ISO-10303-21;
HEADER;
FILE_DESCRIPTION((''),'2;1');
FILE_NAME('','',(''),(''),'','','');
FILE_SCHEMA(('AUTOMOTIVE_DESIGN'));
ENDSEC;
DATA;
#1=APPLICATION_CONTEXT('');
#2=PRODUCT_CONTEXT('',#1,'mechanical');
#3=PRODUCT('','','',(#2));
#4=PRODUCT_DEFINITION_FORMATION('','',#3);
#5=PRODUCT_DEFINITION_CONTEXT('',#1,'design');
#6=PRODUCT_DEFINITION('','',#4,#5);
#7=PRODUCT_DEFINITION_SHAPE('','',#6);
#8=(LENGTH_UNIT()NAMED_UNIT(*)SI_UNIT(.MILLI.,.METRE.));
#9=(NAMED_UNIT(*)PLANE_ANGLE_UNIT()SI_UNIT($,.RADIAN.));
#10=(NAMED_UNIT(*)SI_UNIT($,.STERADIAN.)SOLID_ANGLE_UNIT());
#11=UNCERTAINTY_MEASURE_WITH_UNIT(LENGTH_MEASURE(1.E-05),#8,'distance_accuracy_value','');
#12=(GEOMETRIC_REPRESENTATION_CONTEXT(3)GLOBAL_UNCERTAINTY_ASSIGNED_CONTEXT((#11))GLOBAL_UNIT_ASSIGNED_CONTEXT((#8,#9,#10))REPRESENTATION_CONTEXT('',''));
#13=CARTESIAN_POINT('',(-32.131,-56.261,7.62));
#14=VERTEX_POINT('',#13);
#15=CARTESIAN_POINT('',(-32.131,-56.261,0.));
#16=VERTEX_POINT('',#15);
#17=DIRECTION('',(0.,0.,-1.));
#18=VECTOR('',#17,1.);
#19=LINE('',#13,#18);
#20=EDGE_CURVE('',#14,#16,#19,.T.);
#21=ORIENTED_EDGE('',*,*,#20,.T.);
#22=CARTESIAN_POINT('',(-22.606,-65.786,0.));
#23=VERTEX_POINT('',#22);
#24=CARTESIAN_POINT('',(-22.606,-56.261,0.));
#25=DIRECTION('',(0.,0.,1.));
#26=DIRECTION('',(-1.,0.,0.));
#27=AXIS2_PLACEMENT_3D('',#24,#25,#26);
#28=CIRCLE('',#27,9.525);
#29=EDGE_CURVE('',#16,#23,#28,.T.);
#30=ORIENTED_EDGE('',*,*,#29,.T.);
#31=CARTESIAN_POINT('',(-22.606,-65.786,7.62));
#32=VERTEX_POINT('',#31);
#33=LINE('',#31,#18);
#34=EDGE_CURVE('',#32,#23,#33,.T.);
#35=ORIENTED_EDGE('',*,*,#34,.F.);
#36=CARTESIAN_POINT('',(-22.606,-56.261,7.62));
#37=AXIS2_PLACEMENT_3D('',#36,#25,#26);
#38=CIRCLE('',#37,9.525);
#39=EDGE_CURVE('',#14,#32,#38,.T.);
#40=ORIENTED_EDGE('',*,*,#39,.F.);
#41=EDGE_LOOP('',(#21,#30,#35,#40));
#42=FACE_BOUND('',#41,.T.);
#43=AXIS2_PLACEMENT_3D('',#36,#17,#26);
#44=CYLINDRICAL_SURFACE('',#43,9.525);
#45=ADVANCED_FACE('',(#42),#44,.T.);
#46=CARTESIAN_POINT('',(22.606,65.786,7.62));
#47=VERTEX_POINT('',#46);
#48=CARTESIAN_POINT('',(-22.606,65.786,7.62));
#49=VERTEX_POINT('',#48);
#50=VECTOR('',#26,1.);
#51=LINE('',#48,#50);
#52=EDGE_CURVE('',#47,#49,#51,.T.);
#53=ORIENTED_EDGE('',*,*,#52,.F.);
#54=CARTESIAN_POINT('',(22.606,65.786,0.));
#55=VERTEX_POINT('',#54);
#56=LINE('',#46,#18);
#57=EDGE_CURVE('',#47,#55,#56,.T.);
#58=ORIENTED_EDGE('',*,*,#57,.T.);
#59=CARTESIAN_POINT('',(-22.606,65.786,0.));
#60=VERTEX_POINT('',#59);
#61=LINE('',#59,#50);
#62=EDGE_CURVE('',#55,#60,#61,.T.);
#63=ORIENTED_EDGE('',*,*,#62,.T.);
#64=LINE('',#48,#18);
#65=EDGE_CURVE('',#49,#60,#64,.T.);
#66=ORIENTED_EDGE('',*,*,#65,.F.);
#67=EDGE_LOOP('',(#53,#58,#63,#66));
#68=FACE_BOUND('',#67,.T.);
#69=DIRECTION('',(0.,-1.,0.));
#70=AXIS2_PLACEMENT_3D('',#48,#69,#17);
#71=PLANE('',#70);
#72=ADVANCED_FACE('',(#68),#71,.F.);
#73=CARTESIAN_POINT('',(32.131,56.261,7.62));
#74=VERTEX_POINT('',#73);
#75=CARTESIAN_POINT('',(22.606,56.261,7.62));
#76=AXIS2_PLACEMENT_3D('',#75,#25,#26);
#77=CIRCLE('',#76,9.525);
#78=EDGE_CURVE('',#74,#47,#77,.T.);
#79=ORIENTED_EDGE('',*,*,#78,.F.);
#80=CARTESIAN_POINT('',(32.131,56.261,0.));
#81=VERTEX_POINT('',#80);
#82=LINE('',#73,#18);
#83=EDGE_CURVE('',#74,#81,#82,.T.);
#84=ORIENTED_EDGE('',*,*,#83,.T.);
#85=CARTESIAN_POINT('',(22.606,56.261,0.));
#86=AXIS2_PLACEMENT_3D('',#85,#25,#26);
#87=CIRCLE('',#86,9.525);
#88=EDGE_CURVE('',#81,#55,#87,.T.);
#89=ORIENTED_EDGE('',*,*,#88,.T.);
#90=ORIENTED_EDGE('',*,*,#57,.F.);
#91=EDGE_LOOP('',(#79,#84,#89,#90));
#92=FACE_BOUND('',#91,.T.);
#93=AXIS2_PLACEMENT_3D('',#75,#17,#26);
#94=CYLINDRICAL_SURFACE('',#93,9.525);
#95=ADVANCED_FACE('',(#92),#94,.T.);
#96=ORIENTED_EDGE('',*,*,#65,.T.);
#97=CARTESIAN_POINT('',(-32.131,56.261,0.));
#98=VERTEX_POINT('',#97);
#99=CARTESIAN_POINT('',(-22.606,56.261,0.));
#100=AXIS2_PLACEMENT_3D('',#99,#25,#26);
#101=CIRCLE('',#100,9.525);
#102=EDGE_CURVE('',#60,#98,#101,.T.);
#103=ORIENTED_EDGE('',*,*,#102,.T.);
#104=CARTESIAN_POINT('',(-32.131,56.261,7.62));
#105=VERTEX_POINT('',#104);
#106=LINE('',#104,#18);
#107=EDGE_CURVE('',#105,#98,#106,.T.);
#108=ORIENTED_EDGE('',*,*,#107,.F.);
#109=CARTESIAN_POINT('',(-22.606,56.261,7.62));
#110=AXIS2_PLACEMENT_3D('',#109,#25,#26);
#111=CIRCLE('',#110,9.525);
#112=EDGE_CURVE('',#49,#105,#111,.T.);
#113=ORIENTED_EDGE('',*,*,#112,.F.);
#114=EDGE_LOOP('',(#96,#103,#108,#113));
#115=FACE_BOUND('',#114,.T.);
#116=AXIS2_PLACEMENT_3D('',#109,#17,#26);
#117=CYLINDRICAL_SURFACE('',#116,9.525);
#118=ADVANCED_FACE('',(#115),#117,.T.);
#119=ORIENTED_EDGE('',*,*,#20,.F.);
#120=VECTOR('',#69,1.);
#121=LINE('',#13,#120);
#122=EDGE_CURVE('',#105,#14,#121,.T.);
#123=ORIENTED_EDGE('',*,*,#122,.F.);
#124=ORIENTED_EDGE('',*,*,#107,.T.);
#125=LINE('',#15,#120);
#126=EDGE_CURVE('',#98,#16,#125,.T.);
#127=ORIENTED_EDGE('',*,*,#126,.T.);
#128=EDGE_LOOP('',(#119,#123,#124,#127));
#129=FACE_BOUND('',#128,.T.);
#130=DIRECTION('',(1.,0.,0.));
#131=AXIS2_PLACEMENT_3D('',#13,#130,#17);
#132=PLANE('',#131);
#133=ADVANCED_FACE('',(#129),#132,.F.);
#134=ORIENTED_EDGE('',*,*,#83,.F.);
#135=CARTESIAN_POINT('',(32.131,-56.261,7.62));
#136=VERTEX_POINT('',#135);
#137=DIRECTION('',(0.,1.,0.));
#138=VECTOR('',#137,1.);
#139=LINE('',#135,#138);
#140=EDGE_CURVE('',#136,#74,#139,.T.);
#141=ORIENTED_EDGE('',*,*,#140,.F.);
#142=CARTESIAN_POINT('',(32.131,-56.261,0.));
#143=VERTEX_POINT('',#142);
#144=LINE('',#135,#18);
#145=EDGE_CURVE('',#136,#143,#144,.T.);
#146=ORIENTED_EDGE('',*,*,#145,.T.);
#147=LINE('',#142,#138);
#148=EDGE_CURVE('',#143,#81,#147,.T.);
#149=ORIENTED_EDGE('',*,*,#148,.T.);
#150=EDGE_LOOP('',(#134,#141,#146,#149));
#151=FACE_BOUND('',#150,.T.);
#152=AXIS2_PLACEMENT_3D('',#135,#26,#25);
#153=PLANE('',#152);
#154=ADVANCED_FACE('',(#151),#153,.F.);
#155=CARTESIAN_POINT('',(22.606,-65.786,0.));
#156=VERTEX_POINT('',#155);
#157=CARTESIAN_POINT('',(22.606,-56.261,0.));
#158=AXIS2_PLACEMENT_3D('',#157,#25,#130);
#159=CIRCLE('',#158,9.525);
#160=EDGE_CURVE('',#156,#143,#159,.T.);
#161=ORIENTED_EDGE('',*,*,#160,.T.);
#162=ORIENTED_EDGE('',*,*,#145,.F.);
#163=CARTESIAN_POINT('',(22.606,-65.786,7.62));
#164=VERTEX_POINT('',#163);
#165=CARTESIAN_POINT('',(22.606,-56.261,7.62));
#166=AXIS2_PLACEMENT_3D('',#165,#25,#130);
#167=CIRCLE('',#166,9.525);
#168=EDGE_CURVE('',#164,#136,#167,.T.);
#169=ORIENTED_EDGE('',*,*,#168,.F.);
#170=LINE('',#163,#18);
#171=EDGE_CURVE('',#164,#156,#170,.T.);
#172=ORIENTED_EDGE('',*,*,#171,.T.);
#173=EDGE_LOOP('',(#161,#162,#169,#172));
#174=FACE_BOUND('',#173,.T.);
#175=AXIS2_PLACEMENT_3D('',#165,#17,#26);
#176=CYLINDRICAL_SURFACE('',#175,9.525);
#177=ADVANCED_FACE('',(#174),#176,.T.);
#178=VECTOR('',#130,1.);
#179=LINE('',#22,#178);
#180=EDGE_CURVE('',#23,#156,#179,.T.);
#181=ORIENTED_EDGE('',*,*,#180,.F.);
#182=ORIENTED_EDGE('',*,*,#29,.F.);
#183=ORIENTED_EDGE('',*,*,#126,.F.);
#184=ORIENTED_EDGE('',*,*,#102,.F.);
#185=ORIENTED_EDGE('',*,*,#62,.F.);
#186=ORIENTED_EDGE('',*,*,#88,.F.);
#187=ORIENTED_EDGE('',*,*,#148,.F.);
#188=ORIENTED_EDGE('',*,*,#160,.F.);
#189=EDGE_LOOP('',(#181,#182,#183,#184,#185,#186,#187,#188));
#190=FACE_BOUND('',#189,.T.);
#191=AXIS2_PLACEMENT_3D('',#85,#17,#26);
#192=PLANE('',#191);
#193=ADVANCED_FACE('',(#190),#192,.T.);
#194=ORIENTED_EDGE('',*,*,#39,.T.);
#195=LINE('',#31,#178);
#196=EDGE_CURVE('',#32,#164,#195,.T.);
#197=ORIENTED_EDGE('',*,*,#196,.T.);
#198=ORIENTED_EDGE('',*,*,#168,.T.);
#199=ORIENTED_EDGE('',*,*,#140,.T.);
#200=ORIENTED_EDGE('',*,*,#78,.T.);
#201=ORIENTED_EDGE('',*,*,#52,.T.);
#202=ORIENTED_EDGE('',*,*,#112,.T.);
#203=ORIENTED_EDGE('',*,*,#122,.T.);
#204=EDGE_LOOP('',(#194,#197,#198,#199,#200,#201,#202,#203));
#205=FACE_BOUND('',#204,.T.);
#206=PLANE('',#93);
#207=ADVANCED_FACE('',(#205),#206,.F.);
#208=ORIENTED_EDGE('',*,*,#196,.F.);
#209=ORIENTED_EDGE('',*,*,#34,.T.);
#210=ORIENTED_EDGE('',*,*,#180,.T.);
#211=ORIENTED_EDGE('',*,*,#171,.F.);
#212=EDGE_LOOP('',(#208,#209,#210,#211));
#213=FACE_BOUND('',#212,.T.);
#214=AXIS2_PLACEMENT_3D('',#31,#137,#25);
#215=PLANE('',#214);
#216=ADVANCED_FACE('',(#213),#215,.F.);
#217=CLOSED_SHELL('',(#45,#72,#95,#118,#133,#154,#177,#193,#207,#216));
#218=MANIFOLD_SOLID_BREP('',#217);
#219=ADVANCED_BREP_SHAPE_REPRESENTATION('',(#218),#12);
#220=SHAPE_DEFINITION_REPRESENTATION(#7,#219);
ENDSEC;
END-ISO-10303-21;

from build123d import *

# Parameters (mm, degrees)
BOSS_EXTRUDE1_DEPTH = 7.62


with BuildPart() as part:
    # Sketch1 → Boss-Extrude1 (new body)
    with BuildSketch(Plane.XY):
        with BuildLine():
            Line((-22.606, -65.786), (22.606, -65.786))
            ThreePointArc((22.606, -65.786), (29.341192091, -62.996192091), (32.131, -56.261))
            Line((32.131, -56.261), (32.131, 56.261))
            ThreePointArc((32.131, 56.261), (29.341192091, 62.996192091), (22.606, 65.786))
            Line((22.606, 65.786), (-22.606, 65.786))
            ThreePointArc((-22.606, 65.786), (-29.341192091, 62.996192091), (-32.131, 56.261))
            Line((-32.131, 56.261), (-32.131, -56.261))
            ThreePointArc((-32.131, -56.261), (-29.341192091, -62.996192091), (-22.606, -65.786))
        make_face()
    extrude(amount=BOSS_EXTRUDE1_DEPTH)


solid = part.part
